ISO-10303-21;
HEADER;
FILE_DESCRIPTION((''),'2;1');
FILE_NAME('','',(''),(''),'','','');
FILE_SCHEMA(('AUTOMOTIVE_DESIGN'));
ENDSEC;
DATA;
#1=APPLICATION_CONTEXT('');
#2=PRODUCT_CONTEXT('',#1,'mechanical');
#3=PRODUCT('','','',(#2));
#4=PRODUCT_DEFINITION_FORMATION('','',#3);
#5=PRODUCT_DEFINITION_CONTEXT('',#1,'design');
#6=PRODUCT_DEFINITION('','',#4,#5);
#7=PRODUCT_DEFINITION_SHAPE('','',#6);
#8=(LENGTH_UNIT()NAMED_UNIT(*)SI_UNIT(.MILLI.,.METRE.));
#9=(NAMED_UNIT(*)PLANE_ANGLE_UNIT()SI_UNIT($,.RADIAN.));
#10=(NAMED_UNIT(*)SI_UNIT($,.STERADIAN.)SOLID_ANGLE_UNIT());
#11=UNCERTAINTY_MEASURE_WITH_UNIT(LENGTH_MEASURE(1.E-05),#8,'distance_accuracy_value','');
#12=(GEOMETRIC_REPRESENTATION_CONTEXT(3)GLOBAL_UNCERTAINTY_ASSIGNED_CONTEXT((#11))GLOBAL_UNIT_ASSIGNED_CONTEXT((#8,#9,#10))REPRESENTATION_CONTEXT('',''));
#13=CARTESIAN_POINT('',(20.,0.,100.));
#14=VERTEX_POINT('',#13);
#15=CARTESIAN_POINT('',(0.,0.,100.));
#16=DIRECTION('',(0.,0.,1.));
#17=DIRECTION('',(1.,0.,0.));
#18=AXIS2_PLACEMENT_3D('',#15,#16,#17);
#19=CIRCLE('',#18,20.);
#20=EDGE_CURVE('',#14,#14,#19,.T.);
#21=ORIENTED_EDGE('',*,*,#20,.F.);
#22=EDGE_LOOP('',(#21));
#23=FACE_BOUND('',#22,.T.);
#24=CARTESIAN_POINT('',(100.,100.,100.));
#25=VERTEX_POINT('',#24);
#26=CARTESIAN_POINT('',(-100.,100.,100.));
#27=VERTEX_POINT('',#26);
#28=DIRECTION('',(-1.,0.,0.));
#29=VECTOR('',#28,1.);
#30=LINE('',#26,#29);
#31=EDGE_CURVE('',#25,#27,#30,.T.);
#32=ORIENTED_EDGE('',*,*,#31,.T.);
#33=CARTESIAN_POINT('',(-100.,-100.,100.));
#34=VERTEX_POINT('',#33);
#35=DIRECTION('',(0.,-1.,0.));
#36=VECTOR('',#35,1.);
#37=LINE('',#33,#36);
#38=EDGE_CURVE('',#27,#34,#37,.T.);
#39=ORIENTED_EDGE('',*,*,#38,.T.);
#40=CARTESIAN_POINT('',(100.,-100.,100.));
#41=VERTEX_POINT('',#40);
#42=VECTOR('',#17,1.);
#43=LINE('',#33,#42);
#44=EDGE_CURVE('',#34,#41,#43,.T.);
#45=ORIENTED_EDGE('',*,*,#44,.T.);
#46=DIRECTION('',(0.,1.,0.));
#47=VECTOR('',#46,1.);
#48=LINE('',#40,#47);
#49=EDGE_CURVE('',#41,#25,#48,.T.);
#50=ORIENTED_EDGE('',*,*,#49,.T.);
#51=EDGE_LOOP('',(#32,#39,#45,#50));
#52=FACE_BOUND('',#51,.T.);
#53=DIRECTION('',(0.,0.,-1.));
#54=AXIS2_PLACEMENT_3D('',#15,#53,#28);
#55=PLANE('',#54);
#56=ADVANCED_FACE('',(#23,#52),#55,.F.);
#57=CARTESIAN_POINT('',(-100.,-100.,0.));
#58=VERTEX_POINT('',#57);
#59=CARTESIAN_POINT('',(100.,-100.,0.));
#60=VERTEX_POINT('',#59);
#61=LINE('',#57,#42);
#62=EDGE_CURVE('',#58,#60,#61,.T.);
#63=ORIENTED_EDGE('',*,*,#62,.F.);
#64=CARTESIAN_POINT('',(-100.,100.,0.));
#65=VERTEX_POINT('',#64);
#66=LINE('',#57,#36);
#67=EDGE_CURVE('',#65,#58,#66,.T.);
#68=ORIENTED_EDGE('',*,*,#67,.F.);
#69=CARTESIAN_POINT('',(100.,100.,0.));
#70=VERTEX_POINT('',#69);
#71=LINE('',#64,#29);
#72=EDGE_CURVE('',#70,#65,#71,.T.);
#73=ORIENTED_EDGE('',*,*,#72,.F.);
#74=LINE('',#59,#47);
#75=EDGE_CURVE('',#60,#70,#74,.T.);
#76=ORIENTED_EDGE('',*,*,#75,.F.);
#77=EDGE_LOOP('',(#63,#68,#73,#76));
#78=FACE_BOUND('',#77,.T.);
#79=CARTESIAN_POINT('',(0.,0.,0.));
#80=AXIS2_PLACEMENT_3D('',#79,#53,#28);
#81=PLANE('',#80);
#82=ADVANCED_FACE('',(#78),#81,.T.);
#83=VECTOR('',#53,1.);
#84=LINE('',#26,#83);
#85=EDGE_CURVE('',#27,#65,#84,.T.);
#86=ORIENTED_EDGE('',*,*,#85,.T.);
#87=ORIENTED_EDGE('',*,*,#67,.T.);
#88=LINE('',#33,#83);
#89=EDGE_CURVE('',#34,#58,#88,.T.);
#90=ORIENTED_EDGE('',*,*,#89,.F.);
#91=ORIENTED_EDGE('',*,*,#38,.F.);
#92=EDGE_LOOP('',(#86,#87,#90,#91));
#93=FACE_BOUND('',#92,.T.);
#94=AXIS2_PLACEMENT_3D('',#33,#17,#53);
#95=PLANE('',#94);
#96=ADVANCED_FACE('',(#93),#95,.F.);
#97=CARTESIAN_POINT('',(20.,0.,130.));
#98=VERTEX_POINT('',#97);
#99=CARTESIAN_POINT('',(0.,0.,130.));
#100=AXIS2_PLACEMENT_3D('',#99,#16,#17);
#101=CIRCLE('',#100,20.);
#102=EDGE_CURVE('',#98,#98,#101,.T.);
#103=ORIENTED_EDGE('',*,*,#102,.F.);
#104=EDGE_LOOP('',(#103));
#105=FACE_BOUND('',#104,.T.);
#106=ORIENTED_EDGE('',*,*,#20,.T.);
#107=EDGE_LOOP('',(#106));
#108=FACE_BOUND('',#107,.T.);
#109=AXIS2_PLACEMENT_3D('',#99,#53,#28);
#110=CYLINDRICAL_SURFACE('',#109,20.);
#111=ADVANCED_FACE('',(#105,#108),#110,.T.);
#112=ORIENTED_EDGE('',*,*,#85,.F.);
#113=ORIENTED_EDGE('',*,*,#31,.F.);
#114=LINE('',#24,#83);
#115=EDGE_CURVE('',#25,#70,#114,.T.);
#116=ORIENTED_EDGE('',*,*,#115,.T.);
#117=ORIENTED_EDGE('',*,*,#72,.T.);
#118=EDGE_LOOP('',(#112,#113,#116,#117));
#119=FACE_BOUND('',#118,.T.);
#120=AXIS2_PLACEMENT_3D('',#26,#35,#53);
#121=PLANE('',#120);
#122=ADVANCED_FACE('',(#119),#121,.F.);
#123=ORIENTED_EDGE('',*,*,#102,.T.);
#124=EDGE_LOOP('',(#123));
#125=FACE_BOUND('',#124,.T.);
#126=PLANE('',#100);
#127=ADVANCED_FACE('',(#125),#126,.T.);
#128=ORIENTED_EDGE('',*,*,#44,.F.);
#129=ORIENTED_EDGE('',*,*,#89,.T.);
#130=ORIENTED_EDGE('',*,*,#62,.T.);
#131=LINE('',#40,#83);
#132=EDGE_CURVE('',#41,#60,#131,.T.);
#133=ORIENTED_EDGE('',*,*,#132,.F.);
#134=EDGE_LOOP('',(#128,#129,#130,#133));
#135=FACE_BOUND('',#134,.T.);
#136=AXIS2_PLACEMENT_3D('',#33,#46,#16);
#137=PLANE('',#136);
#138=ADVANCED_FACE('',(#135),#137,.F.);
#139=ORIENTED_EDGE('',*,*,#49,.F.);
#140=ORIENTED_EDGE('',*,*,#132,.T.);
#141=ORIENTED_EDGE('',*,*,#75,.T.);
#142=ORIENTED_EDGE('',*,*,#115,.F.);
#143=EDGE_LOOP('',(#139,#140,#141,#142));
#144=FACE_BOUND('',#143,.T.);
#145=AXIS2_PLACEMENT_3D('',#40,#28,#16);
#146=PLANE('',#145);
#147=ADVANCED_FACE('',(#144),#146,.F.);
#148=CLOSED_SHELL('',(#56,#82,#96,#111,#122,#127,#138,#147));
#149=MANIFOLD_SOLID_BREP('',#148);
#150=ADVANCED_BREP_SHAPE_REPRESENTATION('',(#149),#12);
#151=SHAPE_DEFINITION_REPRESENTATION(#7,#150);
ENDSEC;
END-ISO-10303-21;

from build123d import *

# Parameters (mm, degrees)
SKETCH1_W           = 200
SKETCH1_H           = 200
BOSS_EXTRUDE1_DEPTH = 100
SKETCH2_R           = 20
BOSS_EXTRUDE2_DEPTH = 30


with BuildPart() as part:
    # Sketch1 → Boss-Extrude1 (new body)
    with BuildSketch(Plane.XY):
        Rectangle(SKETCH1_W, SKETCH1_H)
    extrude(amount=BOSS_EXTRUDE1_DEPTH)

    # Sketch2 → Boss-Extrude2 (add)
    with BuildSketch(Plane.XY.offset(100)):
        Circle(SKETCH2_R)
    extrude(amount=BOSS_EXTRUDE2_DEPTH)


solid = part.part
